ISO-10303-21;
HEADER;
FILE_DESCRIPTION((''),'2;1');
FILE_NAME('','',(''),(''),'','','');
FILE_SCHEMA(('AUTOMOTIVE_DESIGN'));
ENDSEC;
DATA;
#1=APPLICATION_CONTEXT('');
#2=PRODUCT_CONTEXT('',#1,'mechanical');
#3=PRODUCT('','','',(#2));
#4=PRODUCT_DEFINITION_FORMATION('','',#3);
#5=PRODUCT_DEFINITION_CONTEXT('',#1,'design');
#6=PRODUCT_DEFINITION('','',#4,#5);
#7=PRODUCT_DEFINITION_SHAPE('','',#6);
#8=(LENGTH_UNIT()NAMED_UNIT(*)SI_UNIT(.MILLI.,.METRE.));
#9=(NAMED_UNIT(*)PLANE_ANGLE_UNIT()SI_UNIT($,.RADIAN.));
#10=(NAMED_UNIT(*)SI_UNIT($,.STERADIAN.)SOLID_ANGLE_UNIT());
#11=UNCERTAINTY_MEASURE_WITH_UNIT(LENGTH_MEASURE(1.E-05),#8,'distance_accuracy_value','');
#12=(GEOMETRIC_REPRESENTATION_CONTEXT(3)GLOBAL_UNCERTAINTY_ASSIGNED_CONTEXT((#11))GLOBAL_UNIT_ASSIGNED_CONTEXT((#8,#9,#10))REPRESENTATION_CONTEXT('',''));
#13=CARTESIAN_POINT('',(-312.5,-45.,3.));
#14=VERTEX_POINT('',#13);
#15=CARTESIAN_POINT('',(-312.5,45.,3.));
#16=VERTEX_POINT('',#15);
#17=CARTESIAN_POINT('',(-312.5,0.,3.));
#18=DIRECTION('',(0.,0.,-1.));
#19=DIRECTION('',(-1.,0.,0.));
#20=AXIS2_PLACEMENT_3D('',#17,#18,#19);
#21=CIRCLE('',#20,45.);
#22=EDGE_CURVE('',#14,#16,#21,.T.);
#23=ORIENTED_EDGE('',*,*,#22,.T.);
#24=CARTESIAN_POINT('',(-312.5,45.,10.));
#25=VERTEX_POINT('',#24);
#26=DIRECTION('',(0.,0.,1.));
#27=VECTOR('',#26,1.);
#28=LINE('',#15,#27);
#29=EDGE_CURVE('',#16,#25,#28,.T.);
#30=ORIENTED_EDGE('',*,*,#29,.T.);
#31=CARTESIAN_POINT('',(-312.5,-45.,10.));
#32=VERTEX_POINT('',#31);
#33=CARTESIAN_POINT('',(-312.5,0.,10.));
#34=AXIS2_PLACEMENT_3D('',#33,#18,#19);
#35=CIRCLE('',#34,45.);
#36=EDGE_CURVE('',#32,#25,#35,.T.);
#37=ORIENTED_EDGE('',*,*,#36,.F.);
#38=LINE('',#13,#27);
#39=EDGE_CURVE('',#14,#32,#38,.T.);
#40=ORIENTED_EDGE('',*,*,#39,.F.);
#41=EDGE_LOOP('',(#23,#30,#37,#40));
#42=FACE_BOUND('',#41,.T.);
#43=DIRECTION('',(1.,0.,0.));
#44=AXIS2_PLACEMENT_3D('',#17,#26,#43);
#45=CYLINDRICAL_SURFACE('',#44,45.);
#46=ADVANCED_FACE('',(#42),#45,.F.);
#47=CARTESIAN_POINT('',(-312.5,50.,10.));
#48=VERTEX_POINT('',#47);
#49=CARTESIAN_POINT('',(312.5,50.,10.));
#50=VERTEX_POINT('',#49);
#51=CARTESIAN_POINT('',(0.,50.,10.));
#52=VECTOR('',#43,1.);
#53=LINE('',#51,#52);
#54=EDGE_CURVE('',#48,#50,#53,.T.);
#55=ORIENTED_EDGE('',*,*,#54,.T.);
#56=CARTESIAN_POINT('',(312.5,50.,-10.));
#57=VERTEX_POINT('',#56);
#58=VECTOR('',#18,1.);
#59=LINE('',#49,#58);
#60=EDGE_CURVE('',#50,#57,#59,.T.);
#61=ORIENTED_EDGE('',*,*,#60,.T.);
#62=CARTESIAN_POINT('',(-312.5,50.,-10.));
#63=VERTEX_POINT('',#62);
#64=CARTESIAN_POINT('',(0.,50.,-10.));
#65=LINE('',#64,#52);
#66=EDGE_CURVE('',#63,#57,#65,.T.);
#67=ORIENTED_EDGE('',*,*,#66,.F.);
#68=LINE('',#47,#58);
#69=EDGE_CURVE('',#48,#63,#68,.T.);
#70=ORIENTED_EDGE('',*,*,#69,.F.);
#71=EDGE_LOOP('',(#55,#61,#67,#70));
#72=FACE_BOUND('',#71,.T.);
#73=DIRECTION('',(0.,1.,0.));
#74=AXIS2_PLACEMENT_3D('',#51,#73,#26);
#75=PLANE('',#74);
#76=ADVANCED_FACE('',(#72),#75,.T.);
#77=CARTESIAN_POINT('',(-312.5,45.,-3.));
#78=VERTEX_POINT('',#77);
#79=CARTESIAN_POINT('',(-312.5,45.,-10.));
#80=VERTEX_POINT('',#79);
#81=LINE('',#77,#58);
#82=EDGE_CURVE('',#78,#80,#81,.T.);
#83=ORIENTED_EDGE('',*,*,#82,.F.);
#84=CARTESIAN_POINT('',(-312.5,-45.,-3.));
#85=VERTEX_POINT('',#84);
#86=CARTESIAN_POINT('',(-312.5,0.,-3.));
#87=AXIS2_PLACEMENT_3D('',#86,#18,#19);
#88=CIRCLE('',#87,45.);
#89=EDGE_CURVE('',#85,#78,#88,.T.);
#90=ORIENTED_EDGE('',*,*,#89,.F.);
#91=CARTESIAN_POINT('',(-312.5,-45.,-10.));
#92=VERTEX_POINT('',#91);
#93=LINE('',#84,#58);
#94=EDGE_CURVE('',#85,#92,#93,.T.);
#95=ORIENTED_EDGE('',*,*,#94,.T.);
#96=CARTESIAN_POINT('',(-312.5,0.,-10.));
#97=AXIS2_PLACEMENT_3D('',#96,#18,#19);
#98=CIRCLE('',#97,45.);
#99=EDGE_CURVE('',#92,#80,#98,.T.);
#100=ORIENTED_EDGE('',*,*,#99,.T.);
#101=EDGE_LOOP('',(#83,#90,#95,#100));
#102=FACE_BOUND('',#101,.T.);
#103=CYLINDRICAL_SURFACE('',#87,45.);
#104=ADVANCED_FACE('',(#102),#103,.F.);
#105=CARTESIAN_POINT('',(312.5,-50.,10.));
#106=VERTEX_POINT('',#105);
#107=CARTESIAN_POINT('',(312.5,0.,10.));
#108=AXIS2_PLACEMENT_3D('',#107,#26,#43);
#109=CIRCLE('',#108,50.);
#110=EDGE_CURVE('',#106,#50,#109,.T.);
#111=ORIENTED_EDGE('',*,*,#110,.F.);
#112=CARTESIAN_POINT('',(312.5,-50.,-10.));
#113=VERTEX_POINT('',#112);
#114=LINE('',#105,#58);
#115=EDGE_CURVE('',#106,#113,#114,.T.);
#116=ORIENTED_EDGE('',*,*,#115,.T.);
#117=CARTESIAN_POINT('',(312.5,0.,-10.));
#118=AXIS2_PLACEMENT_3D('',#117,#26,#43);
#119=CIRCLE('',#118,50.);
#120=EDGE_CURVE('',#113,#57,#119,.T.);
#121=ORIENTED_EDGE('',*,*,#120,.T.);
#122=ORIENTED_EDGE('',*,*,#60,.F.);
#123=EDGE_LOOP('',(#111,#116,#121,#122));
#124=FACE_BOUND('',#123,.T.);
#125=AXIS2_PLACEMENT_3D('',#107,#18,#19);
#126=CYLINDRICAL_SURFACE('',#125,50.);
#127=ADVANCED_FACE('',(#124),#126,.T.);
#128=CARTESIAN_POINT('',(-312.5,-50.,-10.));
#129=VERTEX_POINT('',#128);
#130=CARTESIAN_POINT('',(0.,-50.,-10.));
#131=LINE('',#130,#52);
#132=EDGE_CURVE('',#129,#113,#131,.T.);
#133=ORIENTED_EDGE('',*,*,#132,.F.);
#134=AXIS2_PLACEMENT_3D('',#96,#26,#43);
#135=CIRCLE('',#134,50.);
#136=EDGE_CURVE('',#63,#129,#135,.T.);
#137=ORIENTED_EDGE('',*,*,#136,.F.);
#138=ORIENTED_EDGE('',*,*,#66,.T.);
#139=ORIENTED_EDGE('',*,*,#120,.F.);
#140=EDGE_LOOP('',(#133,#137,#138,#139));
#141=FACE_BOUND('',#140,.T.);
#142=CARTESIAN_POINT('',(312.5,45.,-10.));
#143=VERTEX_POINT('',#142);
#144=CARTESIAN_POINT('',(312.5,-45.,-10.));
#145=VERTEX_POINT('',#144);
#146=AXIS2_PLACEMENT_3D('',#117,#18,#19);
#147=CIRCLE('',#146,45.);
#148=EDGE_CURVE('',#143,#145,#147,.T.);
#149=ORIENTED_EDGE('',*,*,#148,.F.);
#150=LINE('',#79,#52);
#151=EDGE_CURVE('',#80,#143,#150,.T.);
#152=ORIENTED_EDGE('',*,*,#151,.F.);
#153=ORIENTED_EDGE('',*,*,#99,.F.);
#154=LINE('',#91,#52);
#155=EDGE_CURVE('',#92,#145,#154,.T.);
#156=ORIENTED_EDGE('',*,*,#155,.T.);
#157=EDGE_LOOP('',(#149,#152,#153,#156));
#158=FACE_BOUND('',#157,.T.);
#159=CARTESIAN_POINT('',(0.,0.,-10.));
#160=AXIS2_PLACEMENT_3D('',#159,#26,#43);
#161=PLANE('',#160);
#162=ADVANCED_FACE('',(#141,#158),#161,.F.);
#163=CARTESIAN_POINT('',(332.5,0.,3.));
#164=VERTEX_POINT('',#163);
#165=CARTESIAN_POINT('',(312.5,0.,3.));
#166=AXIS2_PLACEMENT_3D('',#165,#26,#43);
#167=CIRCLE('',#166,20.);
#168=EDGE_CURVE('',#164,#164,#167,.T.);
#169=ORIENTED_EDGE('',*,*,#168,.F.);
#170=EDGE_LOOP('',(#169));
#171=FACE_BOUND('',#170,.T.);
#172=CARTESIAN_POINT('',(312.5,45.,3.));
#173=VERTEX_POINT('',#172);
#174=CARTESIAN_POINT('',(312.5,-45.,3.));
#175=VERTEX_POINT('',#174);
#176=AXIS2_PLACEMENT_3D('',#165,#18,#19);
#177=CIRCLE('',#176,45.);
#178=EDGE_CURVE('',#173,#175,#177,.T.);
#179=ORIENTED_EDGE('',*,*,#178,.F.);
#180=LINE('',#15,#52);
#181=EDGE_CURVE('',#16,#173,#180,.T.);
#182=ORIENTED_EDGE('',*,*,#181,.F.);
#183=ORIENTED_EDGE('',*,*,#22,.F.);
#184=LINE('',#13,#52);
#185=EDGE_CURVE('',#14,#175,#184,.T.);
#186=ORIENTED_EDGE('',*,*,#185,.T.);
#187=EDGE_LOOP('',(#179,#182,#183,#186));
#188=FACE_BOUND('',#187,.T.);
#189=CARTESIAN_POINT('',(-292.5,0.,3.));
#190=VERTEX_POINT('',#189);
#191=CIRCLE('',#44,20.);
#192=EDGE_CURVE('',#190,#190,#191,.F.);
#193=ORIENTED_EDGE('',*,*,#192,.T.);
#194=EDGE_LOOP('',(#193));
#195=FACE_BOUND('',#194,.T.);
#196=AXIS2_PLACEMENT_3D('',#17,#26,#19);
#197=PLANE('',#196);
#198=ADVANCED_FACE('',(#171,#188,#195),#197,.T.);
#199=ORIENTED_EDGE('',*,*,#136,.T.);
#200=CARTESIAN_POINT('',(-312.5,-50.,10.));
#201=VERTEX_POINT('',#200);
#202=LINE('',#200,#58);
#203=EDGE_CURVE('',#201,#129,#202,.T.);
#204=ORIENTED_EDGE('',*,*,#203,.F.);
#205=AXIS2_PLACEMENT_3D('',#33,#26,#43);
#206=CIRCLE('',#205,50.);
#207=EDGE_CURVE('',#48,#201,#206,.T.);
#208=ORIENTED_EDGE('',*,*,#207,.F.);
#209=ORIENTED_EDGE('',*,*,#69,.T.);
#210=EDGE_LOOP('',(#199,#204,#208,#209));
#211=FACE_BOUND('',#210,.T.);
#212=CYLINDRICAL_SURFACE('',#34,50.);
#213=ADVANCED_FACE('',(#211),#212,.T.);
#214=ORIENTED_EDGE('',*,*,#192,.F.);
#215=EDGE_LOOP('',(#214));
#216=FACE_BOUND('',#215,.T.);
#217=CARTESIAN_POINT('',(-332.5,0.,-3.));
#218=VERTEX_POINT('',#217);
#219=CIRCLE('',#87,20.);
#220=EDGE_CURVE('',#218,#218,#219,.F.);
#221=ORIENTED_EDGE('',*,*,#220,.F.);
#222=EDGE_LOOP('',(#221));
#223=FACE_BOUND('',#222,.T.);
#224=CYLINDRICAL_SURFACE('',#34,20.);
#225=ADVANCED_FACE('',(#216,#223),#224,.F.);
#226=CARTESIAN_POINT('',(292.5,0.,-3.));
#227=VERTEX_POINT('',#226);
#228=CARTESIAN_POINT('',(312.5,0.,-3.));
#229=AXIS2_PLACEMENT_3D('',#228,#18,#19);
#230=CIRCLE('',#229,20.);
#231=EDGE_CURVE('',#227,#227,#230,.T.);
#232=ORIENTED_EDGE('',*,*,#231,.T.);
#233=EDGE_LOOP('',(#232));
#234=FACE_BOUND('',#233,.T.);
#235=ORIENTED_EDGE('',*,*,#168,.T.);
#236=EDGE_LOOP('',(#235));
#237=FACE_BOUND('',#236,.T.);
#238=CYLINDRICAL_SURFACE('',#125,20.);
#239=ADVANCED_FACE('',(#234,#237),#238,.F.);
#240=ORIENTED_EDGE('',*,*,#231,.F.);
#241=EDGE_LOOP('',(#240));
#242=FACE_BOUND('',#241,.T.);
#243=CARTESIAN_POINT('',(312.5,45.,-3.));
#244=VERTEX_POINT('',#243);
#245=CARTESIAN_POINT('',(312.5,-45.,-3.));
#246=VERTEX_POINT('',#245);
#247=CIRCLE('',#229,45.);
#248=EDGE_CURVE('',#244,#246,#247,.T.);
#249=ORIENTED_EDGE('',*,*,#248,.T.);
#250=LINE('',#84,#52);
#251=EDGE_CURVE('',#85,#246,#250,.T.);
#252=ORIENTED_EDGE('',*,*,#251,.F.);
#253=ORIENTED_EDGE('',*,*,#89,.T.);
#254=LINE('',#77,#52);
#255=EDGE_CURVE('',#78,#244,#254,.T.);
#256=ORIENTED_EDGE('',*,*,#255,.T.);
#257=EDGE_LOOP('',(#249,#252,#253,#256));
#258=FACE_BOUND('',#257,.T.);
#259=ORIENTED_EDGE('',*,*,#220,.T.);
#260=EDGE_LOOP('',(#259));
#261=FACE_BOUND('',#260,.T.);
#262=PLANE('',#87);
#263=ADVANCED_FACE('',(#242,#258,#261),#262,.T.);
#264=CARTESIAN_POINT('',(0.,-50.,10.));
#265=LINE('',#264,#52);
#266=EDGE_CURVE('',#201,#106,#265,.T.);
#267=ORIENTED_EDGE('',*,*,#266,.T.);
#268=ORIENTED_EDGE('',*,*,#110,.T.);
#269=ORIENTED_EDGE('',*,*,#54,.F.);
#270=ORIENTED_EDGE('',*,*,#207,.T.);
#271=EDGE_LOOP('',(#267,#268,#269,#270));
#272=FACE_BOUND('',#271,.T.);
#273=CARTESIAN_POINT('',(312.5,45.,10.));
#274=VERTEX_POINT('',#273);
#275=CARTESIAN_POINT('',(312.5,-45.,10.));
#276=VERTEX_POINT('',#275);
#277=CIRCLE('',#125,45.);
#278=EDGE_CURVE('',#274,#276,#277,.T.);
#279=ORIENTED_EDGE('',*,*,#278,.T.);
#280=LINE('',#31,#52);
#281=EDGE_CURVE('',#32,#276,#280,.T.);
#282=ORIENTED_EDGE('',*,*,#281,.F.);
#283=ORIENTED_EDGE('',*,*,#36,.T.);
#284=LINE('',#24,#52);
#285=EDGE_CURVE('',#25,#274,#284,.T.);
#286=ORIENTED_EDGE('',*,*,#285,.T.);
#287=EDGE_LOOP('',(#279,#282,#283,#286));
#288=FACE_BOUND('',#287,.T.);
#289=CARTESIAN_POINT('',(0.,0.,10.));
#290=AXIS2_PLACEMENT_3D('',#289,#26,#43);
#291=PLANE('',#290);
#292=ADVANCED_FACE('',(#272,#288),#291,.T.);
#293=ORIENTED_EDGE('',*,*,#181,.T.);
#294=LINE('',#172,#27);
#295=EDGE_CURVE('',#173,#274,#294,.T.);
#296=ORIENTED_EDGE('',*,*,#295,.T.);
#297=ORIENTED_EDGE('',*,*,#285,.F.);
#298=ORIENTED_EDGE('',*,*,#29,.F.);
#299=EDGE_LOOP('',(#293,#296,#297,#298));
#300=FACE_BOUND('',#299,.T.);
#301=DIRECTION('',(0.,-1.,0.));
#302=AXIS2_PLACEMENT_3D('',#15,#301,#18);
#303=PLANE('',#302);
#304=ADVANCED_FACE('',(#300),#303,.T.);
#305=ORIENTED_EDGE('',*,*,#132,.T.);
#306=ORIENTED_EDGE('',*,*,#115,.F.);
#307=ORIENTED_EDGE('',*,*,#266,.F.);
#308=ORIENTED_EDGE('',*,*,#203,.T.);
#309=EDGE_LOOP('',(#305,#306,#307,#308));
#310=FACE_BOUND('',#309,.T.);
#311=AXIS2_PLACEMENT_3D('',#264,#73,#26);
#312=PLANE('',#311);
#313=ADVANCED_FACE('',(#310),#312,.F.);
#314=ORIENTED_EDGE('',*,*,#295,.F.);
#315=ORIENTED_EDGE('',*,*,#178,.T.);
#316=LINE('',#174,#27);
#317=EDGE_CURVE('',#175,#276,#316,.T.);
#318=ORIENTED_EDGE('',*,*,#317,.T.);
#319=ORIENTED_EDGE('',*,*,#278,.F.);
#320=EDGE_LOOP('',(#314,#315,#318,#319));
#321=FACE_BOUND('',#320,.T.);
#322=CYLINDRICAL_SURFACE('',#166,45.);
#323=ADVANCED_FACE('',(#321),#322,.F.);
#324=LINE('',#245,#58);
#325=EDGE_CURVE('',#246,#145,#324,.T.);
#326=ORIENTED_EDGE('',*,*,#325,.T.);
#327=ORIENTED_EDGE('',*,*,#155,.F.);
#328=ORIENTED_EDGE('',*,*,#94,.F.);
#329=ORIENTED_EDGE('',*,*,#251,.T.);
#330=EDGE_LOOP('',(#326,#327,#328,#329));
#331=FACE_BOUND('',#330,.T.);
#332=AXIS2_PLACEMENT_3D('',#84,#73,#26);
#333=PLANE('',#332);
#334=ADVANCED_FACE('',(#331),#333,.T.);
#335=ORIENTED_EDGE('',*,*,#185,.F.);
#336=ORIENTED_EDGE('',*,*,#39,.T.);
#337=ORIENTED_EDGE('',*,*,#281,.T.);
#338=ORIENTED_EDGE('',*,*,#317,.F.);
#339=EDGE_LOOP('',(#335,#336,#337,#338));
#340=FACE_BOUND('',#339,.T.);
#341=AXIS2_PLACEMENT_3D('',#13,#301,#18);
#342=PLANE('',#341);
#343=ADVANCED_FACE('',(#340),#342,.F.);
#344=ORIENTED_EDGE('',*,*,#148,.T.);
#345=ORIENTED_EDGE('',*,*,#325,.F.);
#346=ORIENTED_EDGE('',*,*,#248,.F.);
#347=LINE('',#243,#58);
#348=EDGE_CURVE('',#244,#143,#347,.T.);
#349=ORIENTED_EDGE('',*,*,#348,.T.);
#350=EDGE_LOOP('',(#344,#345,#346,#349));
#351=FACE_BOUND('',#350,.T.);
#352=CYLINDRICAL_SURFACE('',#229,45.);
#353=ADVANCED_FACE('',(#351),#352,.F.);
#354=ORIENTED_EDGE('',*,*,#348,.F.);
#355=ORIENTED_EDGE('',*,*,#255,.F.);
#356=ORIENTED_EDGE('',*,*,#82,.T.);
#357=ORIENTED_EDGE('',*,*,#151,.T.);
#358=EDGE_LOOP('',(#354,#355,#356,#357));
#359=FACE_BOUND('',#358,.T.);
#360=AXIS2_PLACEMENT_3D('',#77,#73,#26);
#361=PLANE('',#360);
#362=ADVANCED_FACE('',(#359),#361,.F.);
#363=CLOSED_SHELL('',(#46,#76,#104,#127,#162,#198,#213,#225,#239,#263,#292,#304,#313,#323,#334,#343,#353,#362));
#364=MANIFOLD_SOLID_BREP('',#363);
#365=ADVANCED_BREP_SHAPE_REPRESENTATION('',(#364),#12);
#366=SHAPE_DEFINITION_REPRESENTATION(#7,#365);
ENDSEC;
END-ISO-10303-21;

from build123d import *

# Parameters (mm, degrees)
SKETCH1_R           = 20
BOSS_EXTRUDE1_DEPTH = 10
CUT_EXTRUDE1_DEPTH  = 7


with BuildPart() as part:
    # Sketch1 → Boss-Extrude1 (new, symmetric)
    with BuildSketch(Plane.XY):
        with BuildLine():
            Line((-312.5, -50), (312.5, -50))
            ThreePointArc((312.5, -50), (362.5, 0), (312.5, 50))
            Line((312.5, 50), (-312.5, 50))
            ThreePointArc((-312.5, 50), (-362.5, 0), (-312.5, -50))
        make_face()
        with Locations((312.5, 0)):
            Circle(SKETCH1_R, mode=Mode.SUBTRACT)
        with Locations((-312.5, 0)):
            Circle(SKETCH1_R, mode=Mode.SUBTRACT)
    extrude(amount=BOSS_EXTRUDE1_DEPTH, both=True)

    # Sketch2 → Cut-Extrude1 (cut)
    with BuildSketch(Plane(origin=(0, 0, -10), x_dir=(-1, 0, 0), z_dir=(0, 0, -1))):
        with BuildLine():
            Line((312.5, 45), (-312.5, 45))
            ThreePointArc((-312.5, 45), (-357.5, 0), (-312.5, -45))
            Line((-312.5, -45), (312.5, -45))
            ThreePointArc((312.5, -45), (357.5, 0), (312.5, 45))
        make_face()
    cut_extrude1 = extrude(amount=-CUT_EXTRUDE1_DEPTH, mode=Mode.SUBTRACT)

    # Mirror2: Cut-Extrude1 across plane
    add(cut_extrude1.mirror(Plane.XY), mode=Mode.SUBTRACT)


solid = part.part
